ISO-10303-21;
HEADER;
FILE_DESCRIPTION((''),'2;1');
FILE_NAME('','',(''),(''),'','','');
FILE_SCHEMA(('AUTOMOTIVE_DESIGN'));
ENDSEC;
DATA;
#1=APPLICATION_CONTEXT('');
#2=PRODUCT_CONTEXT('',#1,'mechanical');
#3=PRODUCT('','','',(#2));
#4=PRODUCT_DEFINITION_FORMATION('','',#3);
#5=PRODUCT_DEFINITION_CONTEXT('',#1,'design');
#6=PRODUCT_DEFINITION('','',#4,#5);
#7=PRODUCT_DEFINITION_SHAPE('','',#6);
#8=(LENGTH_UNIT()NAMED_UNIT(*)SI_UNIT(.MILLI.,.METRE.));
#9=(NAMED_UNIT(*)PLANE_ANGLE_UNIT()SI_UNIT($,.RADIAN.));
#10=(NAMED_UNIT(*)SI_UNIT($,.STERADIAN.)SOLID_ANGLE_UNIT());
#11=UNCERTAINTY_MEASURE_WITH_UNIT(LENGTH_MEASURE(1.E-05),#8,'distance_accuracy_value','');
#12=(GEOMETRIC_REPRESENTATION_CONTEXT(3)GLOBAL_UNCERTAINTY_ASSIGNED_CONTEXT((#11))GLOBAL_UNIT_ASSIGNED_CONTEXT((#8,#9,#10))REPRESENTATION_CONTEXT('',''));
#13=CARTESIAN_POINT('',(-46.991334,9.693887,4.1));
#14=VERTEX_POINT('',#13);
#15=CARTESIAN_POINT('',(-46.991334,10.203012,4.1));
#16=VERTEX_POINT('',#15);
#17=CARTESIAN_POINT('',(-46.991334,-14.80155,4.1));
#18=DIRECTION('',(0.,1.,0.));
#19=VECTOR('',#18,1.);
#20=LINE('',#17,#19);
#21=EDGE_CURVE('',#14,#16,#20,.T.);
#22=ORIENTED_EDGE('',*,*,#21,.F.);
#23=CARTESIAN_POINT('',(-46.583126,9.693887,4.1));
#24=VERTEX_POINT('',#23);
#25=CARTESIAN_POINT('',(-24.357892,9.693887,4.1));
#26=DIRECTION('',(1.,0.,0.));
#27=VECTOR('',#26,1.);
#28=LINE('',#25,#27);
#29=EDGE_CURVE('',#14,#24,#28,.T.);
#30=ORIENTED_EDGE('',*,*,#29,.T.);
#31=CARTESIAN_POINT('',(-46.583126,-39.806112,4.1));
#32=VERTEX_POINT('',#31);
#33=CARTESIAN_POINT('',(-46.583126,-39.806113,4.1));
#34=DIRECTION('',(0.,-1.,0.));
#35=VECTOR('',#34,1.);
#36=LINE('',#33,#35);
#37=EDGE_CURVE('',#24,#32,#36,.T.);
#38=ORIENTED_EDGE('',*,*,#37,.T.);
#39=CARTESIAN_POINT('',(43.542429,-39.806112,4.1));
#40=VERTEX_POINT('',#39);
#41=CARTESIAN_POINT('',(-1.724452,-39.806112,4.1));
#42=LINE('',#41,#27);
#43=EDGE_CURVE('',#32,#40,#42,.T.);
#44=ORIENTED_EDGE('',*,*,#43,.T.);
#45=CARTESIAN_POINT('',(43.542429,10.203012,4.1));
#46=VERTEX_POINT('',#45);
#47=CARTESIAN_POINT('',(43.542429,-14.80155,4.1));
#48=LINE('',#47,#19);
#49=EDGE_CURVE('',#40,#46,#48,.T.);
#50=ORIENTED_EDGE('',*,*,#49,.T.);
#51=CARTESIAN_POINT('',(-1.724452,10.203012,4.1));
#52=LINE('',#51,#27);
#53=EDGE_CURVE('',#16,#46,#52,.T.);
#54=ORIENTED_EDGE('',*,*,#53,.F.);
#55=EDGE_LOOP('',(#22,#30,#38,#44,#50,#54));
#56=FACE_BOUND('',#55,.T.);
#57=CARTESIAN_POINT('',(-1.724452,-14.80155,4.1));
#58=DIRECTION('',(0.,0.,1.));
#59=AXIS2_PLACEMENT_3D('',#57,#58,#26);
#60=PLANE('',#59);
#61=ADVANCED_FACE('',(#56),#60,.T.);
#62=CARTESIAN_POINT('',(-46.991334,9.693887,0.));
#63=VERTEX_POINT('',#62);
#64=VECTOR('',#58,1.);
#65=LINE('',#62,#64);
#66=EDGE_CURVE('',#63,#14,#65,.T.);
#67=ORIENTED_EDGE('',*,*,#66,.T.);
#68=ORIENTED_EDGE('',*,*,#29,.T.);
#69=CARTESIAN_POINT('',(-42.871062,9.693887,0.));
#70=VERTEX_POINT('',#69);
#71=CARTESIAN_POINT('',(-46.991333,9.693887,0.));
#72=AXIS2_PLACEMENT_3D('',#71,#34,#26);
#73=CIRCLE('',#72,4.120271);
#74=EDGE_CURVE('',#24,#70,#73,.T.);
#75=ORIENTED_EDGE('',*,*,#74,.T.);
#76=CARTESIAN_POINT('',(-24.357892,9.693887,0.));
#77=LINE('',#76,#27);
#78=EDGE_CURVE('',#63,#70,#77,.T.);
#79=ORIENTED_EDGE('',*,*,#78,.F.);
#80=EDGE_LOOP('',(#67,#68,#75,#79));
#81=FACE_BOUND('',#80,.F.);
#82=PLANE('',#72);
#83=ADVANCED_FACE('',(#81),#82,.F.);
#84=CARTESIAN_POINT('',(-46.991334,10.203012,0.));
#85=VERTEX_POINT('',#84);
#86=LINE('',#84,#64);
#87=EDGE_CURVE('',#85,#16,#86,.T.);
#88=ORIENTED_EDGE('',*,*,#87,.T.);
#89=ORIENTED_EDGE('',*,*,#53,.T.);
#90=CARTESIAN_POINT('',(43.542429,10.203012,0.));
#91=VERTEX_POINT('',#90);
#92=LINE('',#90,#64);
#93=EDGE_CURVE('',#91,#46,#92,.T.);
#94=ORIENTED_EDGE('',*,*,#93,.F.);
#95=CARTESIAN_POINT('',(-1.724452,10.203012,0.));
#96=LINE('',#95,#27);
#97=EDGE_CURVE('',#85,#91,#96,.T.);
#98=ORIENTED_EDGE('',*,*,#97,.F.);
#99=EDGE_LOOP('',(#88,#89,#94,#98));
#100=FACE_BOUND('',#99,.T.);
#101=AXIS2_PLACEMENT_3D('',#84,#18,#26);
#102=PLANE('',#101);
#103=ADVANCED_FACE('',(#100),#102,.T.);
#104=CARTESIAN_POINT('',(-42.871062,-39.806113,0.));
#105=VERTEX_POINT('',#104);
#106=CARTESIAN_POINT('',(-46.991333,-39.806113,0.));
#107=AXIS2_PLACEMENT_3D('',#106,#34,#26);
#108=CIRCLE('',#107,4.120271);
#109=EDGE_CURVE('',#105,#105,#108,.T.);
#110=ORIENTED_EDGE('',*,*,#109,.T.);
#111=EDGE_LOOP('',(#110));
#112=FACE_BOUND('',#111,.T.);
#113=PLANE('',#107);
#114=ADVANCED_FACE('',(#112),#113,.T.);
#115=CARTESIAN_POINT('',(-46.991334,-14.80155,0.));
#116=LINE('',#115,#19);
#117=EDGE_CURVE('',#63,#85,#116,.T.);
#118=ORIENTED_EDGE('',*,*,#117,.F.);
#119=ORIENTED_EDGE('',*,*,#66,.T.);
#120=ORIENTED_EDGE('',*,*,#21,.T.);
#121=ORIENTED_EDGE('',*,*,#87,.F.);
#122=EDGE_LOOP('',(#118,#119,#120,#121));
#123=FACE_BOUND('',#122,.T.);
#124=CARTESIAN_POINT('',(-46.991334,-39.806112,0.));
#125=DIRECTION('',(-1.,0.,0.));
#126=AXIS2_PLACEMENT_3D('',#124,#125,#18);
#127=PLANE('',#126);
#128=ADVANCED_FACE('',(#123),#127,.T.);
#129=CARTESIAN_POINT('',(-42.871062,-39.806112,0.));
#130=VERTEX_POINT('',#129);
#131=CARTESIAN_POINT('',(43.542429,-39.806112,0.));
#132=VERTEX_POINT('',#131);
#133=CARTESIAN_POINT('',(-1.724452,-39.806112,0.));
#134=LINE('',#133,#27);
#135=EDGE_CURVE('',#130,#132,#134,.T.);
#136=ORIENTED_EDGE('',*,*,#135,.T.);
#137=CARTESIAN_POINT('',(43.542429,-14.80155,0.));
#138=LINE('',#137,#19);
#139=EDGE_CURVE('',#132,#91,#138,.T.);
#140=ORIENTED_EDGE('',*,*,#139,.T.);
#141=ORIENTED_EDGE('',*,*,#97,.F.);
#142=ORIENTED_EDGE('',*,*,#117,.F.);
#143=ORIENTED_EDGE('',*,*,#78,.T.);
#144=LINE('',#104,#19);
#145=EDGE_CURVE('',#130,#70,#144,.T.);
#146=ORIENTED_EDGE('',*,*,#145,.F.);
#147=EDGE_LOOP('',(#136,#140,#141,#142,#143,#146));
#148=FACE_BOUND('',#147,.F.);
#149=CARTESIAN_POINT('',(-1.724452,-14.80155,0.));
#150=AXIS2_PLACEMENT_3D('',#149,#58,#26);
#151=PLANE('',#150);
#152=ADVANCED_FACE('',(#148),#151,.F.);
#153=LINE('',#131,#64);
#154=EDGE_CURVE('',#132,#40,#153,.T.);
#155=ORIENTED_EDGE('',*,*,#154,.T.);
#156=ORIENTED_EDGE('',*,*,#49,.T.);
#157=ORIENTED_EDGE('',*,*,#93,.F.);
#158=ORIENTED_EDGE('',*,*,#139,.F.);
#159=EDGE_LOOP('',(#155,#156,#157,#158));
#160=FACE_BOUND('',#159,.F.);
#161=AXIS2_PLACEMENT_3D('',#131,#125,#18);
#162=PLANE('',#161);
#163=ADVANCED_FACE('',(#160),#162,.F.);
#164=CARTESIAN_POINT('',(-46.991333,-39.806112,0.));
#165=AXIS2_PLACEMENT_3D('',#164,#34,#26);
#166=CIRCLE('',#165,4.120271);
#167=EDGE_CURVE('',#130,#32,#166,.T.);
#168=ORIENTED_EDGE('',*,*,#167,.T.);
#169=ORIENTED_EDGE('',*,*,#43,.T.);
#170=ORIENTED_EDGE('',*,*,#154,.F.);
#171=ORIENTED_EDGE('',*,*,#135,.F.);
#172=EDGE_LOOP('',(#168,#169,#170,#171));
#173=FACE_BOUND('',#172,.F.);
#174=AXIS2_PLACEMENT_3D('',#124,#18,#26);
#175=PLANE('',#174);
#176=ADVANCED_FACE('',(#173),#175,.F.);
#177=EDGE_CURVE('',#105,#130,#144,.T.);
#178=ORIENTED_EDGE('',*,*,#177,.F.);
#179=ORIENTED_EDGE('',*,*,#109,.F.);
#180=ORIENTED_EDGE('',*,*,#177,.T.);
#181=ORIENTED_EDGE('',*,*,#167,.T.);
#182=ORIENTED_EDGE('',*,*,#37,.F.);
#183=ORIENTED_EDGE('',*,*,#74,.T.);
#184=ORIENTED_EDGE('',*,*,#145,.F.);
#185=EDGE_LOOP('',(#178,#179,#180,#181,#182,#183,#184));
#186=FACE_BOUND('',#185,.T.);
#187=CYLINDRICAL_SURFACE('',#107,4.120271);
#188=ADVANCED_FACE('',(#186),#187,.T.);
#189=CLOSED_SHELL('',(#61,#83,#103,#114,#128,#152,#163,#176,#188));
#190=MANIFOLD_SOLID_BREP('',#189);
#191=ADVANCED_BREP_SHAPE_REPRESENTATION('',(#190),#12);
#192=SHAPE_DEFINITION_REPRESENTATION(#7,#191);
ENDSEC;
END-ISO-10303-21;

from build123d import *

# Parameters (mm, degrees)
F0_W     = 90.533763
F0_H     = 50.009125
F1_DEPTH = 4.1
F2_R     = 4.120271
F3_DEPTH = 49.5


with BuildPart() as f1:
    # F0 (on Top) → F1 (new body)
    with BuildSketch(Plane.XY):
        with Locations((-1.724452, -14.80155)):
            Rectangle(F0_W, F0_H)
    extrude(amount=F1_DEPTH)

    # F2 (on face) → F3 (join)
    with BuildSketch(Plane.XZ.offset(39.806113)):
        with Locations((-46.991333, 0)):
            Circle(F2_R)
    extrude(amount=-F3_DEPTH)


solid = f1.part
